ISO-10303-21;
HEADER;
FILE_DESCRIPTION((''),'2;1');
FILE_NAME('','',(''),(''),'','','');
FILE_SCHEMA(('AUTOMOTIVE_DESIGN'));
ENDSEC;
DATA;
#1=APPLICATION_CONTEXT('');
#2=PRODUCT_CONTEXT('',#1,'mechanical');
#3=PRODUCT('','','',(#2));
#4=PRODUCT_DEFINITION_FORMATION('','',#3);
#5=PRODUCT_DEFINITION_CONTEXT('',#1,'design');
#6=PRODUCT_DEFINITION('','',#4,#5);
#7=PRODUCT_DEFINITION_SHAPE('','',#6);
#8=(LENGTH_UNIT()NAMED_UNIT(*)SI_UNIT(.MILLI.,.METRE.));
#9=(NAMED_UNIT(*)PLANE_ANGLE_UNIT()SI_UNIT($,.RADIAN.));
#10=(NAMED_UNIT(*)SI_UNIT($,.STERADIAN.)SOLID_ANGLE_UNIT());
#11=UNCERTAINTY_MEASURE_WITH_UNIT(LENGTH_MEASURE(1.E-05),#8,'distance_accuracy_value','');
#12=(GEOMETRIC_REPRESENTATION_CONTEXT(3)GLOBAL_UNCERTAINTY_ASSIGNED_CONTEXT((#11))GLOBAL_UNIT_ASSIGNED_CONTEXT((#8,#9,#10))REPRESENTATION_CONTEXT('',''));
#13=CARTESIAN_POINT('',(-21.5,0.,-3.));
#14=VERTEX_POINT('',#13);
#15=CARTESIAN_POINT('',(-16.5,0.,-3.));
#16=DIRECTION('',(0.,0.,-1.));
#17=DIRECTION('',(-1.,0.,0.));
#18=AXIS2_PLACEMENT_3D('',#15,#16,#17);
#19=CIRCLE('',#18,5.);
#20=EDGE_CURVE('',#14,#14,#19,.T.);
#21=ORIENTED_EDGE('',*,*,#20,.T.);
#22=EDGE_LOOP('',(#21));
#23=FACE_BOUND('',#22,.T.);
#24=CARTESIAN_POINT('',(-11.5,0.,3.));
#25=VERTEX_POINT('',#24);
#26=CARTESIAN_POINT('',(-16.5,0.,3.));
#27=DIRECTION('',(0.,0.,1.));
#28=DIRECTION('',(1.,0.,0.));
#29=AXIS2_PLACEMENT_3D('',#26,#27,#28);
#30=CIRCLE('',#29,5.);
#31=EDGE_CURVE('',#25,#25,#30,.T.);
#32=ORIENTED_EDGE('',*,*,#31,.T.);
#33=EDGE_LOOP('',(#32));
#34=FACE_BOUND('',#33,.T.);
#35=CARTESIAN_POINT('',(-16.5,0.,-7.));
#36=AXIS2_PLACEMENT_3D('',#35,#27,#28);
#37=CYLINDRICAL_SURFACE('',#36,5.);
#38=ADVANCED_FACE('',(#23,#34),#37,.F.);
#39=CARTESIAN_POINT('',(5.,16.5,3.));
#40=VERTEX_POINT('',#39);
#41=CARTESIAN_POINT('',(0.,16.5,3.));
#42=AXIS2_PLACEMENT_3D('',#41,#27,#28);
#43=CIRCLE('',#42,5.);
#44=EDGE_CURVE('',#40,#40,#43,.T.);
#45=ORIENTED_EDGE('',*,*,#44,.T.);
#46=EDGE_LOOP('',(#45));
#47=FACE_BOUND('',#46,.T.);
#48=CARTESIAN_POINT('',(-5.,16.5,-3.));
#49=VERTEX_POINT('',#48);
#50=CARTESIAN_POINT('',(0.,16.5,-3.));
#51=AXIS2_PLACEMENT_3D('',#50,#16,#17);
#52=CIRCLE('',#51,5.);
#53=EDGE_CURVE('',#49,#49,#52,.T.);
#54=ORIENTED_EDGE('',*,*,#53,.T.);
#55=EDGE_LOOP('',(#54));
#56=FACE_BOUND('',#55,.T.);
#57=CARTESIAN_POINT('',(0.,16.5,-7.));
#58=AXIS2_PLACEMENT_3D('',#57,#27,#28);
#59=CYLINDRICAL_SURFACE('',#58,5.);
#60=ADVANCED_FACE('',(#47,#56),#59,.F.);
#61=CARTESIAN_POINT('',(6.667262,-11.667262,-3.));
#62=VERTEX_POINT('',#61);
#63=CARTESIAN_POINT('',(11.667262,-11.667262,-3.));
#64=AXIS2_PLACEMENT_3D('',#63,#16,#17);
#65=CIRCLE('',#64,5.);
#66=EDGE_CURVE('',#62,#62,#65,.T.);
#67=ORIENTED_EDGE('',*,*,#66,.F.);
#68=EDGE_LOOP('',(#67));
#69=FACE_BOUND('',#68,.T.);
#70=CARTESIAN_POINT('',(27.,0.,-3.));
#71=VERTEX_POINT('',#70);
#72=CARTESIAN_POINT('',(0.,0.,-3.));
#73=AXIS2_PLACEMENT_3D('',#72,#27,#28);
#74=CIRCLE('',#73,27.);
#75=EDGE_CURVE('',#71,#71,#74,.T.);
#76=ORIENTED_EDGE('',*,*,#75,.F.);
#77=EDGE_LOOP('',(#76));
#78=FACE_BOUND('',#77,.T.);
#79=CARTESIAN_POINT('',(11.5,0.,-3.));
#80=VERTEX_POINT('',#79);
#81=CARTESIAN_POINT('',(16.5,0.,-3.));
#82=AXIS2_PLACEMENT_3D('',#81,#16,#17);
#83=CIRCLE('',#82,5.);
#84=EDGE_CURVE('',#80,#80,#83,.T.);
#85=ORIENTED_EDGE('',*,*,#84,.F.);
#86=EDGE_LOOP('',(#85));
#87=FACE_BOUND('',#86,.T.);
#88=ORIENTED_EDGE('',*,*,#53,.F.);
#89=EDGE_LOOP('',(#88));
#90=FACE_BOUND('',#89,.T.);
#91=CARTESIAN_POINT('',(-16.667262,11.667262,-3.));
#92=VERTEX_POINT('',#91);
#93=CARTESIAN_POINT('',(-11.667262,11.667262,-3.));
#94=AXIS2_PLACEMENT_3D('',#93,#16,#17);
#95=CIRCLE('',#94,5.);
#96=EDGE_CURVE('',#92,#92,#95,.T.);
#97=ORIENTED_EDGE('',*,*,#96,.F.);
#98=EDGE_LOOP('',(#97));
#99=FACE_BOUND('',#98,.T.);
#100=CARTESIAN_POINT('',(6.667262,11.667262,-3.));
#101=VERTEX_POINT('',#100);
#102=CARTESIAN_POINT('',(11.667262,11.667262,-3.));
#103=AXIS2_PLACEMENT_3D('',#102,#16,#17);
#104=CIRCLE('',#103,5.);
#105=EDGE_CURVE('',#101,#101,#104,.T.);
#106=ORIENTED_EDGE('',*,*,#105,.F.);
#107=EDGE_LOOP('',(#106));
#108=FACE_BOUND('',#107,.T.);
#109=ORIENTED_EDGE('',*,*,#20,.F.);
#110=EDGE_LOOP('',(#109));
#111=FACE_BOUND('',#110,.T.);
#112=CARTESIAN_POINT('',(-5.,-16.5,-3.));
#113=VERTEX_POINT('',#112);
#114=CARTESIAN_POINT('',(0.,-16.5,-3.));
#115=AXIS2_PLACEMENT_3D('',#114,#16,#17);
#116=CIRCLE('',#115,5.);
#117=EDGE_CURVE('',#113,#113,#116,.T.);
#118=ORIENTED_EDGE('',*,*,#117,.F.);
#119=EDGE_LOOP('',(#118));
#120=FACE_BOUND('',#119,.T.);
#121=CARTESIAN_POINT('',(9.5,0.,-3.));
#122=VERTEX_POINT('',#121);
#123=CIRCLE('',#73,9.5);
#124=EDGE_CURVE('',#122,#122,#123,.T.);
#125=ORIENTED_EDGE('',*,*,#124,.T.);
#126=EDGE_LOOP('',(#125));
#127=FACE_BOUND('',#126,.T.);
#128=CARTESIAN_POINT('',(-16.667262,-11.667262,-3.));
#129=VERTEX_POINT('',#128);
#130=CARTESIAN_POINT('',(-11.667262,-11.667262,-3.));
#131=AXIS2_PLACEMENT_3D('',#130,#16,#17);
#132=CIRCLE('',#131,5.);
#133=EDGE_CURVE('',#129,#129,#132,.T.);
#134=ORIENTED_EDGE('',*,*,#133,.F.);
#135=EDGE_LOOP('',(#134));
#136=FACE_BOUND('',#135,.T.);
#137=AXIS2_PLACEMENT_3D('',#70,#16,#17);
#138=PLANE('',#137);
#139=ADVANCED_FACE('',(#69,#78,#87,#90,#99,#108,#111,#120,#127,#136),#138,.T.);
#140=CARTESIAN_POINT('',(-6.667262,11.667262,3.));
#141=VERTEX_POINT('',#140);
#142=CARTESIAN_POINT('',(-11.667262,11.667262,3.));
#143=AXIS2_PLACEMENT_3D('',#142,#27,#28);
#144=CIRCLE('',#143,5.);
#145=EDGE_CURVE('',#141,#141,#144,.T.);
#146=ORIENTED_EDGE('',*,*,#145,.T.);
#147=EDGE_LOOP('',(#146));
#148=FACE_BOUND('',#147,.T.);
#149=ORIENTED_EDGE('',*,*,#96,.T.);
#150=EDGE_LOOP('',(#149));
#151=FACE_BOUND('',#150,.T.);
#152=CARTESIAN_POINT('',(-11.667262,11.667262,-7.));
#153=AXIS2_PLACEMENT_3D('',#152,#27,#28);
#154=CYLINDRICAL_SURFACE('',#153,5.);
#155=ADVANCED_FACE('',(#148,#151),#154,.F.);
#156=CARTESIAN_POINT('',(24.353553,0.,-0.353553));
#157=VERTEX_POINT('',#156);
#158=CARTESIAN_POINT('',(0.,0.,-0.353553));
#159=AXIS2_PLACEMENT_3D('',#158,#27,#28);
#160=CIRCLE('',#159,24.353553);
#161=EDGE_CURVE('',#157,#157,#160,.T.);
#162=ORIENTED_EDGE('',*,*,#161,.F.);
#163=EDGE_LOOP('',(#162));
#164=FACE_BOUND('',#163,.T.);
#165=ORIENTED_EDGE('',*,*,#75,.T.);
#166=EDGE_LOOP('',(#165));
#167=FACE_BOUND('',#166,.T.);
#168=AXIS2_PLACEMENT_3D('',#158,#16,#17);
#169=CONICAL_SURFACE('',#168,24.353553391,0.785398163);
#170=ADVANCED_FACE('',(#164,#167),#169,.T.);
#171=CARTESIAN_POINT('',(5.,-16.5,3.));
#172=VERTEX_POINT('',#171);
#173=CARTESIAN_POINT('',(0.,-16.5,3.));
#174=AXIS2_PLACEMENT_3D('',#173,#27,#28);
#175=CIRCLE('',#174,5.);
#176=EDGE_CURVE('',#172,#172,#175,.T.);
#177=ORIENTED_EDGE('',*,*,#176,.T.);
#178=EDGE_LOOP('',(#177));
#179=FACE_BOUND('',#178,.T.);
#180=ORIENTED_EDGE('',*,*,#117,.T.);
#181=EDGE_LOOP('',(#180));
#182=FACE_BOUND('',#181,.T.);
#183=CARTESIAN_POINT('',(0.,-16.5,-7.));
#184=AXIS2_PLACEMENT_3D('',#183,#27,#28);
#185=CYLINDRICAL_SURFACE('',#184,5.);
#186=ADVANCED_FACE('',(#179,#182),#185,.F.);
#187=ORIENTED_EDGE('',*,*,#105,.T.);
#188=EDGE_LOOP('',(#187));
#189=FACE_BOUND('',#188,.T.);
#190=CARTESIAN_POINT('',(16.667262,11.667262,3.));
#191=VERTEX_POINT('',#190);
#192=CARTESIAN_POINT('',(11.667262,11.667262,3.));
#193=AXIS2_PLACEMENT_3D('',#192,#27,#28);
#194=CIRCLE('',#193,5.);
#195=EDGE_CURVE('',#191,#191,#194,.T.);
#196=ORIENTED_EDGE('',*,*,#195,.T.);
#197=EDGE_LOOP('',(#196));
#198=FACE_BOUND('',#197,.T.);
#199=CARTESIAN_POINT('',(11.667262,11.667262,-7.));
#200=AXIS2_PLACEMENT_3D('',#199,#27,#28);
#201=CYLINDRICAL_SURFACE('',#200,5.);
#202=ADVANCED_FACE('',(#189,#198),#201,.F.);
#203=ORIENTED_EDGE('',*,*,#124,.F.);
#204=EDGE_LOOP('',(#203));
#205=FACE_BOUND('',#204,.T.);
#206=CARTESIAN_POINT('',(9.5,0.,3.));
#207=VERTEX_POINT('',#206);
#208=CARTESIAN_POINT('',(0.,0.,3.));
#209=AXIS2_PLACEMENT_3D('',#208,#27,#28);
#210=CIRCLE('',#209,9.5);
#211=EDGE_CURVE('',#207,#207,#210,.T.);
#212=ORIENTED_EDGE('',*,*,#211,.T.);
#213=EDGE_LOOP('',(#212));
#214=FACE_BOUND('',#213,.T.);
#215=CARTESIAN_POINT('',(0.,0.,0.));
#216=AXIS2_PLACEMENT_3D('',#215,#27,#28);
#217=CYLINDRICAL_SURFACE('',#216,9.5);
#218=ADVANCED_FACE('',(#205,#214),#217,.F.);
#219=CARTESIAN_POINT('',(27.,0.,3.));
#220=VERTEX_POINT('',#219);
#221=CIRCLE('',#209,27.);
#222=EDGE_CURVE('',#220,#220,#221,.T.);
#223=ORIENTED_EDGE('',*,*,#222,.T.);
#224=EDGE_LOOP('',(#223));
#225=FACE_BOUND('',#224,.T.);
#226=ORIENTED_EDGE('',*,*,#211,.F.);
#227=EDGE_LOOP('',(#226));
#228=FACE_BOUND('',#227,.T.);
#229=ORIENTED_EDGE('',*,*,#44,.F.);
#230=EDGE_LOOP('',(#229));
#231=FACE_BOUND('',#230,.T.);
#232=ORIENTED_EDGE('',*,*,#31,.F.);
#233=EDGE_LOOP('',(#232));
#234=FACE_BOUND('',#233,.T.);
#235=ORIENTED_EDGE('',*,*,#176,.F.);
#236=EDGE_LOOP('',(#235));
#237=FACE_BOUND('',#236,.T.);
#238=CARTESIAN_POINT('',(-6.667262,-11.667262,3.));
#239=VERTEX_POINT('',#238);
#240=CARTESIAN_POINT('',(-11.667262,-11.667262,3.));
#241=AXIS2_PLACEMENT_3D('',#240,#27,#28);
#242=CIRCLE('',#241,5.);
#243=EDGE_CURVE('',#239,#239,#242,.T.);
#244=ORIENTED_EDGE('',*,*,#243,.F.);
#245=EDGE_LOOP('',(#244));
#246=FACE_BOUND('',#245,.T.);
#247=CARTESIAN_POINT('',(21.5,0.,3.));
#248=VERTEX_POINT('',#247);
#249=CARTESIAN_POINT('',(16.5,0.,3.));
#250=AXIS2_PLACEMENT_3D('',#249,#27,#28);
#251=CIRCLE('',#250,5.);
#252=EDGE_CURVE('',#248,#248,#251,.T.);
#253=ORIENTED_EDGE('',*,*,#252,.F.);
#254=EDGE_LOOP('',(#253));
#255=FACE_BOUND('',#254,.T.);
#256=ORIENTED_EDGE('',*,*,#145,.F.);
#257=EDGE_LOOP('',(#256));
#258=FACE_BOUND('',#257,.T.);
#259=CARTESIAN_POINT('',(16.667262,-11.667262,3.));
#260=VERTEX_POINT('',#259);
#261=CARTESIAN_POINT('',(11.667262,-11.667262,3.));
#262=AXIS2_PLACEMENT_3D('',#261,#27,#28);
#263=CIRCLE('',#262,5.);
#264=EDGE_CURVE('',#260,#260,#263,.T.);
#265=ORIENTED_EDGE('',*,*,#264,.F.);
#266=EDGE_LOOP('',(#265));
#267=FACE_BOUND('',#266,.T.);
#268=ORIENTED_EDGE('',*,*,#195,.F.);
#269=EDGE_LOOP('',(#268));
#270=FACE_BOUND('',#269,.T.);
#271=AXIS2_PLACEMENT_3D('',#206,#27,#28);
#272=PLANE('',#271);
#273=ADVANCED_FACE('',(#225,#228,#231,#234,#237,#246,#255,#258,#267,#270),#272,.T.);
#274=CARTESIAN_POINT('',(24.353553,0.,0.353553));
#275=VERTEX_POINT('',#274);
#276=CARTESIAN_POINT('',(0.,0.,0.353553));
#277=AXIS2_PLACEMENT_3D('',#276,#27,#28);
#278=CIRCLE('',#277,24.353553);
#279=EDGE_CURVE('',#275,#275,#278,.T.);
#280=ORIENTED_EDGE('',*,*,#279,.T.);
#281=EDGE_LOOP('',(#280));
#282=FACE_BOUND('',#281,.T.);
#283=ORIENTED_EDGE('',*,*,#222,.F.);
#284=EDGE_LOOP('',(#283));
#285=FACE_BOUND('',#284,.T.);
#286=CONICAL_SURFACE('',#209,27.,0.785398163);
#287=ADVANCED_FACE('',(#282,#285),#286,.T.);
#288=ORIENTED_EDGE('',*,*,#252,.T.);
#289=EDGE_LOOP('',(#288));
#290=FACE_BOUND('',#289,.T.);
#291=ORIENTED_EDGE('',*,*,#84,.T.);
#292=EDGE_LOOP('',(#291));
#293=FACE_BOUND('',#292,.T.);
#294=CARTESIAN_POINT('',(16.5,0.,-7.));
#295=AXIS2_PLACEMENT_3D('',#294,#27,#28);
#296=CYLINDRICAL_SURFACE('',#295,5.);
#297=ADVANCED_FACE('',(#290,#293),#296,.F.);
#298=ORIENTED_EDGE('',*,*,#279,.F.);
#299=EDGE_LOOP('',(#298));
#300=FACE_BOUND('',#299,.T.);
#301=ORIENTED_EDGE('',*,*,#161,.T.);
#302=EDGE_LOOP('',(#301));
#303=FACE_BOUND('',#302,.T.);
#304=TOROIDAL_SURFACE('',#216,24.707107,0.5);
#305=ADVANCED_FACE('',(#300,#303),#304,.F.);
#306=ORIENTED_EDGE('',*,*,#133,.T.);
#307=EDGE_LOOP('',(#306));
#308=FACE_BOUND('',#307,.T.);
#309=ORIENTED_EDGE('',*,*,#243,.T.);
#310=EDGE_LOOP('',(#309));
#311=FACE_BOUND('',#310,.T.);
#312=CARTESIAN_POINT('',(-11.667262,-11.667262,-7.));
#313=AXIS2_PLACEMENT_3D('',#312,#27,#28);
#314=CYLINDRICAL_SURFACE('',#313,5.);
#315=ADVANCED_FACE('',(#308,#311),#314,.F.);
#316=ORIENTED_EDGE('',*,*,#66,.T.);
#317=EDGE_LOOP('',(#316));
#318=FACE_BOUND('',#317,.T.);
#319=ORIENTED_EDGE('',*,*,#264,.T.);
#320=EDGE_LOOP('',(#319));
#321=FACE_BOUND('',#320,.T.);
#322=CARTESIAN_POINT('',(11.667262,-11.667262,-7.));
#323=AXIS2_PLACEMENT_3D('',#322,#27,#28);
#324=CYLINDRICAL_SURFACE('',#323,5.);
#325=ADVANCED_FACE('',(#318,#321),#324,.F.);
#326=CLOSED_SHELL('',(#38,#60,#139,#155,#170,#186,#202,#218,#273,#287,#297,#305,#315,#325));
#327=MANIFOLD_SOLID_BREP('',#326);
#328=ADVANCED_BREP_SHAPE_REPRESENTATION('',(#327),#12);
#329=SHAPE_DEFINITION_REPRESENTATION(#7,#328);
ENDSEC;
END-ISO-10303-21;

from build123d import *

# Parameters (mm, degrees)
SKETCH_6_R          = 5
CUT_EXTRUDE_2_DEPTH = 10


with BuildPart() as part:
    # 草图2 → 旋转1 (revolve)
    with BuildSketch(Plane(origin=(0, 0, 0), x_dir=(1, 0, 0), z_dir=(0, 1, 0))):
        with BuildLine():
            Line((9.5, 3), (9.5, -3))
            Line((9.5, -3), (27, -3))
            Line((27, -3), (24.353553391, -0.353553391))
            ThreePointArc((24.353553391, -0.353553391), (24.207106781, 0), (24.353553391, 0.353553391))
            Line((24.353553391, 0.353553391), (27, 3))
            Line((27, 3), (9.5, 3))
        make_face()
    revolve(axis=Axis((0, 0, 0), (0, 0, -1)))

    # 草图6 → 切除-拉伸2 (cut)
    with BuildSketch(Plane.XY.offset(3)):
        with Locations((16.5, 0)):
            Circle(SKETCH_6_R)
        with Locations((11.66726189, -11.66726189)):
            Circle(SKETCH_6_R)
        with Locations((0, -16.5)):
            Circle(SKETCH_6_R)
        with Locations((-11.66726189, -11.66726189)):
            Circle(SKETCH_6_R)
        with Locations((-16.5, 0)):
            Circle(SKETCH_6_R)
        with Locations((-11.66726189, 11.66726189)):
            Circle(SKETCH_6_R)
        with Locations((0, 16.5)):
            Circle(SKETCH_6_R)
        with Locations((11.66726189, 11.66726189)):
            Circle(SKETCH_6_R)
    extrude(amount=-CUT_EXTRUDE_2_DEPTH, mode=Mode.SUBTRACT)


solid = part.part
